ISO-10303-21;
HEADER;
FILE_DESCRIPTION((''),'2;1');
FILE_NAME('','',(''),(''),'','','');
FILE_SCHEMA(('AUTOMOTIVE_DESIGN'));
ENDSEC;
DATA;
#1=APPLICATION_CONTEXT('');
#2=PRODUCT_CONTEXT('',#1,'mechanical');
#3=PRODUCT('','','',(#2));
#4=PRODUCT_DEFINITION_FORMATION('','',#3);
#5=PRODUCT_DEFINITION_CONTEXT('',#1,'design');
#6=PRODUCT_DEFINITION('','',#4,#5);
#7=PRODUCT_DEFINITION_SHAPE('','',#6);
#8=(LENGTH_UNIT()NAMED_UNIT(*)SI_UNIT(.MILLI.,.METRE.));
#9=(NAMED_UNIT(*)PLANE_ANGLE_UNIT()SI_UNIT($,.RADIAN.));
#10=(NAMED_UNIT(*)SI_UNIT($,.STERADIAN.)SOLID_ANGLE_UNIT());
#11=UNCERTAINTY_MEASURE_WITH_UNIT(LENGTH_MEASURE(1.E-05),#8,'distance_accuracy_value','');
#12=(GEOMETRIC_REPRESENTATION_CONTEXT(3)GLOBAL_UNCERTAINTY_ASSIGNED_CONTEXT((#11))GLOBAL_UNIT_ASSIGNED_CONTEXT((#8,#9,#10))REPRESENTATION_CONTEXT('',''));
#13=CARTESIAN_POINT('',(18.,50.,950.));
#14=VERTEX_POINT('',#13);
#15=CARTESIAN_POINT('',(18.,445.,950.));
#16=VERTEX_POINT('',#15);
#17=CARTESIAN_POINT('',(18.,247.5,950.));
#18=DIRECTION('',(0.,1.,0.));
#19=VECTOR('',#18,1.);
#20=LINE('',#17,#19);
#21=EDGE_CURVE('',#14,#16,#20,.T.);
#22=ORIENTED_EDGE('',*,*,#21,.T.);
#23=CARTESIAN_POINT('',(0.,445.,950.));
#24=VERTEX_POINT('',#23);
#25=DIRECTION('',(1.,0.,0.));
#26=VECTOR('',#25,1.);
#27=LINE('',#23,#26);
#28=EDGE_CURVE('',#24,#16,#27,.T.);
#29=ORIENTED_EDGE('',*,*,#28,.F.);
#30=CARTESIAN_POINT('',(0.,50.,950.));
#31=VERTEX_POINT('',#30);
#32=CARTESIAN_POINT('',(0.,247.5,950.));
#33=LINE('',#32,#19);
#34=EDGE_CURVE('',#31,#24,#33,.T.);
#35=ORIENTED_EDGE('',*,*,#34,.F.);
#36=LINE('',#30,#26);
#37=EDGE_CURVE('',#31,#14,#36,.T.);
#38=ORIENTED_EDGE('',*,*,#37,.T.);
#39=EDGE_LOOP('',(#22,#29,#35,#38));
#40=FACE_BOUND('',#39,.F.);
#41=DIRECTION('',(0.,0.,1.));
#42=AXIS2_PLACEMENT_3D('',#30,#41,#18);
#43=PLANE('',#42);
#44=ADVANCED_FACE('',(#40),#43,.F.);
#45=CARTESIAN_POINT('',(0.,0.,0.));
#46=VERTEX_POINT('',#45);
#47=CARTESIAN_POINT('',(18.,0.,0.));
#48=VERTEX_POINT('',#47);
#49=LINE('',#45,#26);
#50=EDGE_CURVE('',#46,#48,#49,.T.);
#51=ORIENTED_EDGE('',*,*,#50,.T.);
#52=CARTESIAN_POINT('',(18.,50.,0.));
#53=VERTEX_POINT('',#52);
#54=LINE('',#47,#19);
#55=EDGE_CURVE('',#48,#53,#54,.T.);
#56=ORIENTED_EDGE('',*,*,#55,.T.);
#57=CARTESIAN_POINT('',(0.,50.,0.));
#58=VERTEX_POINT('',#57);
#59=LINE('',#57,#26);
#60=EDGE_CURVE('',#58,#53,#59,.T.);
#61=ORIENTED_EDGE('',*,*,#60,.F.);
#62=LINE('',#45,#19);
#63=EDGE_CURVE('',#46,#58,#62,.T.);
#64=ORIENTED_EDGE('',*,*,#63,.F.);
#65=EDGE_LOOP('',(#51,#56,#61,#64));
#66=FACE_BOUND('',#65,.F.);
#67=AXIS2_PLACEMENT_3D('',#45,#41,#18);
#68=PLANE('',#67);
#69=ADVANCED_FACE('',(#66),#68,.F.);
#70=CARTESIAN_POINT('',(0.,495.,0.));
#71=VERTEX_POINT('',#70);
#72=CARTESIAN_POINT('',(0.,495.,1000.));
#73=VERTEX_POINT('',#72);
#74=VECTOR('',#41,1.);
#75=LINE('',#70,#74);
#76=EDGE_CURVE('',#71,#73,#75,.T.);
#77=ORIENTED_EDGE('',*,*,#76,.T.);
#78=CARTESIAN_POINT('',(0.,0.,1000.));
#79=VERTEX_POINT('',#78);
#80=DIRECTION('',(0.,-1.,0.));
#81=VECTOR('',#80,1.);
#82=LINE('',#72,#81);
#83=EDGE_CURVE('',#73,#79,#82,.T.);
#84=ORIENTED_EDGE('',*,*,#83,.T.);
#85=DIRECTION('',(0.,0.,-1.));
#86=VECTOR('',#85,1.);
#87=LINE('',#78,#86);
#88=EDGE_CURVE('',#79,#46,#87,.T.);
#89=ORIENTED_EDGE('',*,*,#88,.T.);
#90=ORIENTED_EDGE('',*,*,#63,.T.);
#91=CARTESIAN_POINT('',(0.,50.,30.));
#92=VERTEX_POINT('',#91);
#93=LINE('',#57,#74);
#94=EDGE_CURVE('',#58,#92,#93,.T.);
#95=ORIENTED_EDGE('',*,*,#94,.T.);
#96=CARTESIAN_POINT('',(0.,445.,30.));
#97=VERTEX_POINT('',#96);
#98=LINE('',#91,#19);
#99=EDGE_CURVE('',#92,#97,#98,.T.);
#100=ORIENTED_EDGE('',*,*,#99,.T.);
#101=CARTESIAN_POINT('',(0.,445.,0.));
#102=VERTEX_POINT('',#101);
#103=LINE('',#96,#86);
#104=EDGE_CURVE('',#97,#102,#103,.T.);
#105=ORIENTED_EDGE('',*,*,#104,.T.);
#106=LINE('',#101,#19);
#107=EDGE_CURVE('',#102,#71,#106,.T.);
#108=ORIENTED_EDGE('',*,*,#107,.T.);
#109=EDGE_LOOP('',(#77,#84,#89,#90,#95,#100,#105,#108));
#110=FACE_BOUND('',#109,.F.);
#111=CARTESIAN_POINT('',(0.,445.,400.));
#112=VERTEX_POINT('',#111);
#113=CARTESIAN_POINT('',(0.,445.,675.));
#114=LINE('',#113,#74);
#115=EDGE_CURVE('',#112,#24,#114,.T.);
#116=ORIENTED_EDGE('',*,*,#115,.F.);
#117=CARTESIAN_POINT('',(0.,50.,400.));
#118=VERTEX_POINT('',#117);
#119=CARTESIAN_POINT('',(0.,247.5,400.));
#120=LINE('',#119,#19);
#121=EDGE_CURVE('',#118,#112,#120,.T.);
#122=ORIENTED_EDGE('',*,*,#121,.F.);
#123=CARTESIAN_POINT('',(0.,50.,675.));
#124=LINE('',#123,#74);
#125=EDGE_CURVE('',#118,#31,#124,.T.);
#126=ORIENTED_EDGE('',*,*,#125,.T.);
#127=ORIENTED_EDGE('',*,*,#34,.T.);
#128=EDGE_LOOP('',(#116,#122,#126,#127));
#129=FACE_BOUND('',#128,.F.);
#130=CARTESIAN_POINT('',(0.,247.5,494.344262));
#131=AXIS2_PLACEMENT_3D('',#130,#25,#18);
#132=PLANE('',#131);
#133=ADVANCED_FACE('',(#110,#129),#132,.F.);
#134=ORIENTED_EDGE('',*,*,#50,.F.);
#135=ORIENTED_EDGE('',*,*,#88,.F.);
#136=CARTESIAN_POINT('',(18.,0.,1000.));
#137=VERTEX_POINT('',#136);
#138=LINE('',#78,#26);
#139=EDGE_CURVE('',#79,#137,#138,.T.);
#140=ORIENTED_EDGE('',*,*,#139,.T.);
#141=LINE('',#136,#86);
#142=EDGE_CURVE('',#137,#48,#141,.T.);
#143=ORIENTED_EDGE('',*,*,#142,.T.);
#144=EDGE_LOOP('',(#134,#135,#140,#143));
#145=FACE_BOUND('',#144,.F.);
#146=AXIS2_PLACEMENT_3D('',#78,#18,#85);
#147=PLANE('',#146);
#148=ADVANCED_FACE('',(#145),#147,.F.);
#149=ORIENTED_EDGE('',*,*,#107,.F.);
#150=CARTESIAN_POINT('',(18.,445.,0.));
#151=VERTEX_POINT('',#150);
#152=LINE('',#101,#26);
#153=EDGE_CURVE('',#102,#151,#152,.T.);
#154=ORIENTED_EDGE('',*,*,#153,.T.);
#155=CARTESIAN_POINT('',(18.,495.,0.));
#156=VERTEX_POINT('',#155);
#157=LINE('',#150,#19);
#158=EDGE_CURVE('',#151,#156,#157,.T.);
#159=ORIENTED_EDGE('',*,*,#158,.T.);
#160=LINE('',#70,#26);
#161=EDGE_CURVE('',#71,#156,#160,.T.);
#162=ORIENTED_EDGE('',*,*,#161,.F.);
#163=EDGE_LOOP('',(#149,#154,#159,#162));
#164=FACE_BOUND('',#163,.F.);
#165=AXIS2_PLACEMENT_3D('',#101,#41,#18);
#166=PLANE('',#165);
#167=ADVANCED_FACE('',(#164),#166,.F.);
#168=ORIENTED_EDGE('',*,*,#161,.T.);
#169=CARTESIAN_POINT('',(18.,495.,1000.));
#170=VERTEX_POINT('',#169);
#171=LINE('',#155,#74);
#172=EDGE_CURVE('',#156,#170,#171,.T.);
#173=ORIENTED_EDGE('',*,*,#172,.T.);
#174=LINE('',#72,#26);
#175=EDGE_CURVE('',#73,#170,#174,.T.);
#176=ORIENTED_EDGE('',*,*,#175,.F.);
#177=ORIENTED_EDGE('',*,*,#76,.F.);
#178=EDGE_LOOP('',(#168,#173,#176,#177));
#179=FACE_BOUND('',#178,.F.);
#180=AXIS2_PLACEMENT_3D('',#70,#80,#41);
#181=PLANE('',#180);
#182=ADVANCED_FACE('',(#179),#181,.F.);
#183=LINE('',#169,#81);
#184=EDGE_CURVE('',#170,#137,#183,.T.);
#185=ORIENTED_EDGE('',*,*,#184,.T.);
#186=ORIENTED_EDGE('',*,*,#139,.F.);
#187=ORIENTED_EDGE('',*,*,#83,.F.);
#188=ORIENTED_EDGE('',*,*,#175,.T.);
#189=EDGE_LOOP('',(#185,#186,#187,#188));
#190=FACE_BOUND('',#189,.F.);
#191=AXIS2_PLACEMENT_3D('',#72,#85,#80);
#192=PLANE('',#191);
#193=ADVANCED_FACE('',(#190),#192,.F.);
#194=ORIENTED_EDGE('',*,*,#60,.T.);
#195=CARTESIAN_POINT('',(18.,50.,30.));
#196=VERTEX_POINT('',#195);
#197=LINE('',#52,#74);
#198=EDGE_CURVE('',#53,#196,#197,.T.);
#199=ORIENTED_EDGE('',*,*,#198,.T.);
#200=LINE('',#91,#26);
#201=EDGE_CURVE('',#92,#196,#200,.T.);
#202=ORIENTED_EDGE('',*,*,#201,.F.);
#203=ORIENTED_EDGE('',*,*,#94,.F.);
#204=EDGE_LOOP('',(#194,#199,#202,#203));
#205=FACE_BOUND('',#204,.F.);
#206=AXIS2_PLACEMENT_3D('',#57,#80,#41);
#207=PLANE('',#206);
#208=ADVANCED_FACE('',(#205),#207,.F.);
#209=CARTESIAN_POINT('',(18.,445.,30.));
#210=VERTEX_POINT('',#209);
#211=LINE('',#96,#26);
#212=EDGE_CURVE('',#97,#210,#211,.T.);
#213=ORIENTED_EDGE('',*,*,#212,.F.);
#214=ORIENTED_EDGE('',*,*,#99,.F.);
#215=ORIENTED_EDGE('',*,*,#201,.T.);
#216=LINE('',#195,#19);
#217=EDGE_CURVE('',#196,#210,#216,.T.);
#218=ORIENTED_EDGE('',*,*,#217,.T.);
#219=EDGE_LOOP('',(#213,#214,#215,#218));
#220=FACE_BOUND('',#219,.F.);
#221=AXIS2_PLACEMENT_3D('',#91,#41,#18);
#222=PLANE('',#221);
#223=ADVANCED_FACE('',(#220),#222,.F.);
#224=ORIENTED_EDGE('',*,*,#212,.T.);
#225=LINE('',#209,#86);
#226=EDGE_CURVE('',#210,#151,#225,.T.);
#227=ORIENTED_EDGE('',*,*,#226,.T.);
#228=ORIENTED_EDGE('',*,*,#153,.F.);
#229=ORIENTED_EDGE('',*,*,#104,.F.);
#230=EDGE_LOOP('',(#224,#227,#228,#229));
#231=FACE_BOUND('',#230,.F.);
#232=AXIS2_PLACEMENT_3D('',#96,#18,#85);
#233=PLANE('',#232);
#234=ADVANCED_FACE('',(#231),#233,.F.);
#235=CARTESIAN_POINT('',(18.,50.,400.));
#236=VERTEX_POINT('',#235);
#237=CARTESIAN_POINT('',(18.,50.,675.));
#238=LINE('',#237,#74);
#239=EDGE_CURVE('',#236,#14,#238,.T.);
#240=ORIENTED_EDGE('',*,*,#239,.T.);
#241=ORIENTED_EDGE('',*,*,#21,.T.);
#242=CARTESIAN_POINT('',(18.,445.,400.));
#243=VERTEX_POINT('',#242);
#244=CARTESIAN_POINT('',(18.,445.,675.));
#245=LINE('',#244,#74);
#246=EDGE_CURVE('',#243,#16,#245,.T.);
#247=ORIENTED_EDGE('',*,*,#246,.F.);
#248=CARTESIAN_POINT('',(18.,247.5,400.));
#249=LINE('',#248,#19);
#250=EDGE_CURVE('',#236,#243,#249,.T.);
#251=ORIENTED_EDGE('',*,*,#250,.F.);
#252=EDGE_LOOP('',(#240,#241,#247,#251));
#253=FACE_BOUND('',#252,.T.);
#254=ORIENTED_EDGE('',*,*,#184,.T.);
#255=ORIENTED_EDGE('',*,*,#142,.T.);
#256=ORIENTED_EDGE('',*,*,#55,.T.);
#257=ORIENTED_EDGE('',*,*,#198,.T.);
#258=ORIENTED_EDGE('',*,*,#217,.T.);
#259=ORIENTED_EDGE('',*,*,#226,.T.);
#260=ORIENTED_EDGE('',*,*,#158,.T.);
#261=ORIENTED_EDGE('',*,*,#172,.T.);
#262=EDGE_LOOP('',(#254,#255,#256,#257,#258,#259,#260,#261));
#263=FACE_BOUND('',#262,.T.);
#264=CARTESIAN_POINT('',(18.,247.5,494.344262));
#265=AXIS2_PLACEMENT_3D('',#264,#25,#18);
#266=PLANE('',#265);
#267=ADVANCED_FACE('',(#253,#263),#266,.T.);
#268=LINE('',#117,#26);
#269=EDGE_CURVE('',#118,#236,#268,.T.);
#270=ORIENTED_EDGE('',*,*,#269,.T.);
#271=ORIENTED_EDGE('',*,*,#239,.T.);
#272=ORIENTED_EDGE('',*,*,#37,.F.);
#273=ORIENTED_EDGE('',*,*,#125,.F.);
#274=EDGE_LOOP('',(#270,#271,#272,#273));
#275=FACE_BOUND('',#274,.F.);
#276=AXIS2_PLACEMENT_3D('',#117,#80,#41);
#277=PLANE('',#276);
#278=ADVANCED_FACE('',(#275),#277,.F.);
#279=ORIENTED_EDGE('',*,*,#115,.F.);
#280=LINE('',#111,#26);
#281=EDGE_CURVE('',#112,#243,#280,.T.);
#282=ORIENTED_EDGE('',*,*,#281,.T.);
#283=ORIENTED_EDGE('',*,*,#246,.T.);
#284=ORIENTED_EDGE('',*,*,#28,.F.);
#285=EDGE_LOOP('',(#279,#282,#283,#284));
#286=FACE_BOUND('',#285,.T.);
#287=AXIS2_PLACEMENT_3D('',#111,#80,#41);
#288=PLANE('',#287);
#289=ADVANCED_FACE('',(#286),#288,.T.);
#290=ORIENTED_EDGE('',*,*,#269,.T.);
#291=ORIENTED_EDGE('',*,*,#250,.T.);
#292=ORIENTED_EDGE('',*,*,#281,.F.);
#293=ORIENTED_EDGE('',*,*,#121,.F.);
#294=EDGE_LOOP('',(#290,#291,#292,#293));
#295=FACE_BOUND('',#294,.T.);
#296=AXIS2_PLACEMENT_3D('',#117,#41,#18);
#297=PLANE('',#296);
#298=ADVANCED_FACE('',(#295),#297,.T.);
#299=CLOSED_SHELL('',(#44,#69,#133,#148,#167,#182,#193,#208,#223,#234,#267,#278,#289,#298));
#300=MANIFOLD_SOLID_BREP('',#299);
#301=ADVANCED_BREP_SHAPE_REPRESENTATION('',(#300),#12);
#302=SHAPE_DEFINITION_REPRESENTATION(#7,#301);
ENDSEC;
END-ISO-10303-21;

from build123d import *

# Parameters (mm, degrees)
F0_W     = 395
F0_H     = 550
F1_DEPTH = 18


with BuildPart() as f1:
    # F0 (on Right) → F1 (new body)
    with BuildSketch(Plane.YZ):
        Polygon((0, 1000), (0, 0), (50, 0), (50, 30), (445, 30), (445, 0), (495, 0), (495, 1000), align=None)
        with Locations((247.5, 675)):
            Rectangle(F0_W, F0_H, mode=Mode.SUBTRACT)
    extrude(amount=F1_DEPTH)


solid = f1.part
